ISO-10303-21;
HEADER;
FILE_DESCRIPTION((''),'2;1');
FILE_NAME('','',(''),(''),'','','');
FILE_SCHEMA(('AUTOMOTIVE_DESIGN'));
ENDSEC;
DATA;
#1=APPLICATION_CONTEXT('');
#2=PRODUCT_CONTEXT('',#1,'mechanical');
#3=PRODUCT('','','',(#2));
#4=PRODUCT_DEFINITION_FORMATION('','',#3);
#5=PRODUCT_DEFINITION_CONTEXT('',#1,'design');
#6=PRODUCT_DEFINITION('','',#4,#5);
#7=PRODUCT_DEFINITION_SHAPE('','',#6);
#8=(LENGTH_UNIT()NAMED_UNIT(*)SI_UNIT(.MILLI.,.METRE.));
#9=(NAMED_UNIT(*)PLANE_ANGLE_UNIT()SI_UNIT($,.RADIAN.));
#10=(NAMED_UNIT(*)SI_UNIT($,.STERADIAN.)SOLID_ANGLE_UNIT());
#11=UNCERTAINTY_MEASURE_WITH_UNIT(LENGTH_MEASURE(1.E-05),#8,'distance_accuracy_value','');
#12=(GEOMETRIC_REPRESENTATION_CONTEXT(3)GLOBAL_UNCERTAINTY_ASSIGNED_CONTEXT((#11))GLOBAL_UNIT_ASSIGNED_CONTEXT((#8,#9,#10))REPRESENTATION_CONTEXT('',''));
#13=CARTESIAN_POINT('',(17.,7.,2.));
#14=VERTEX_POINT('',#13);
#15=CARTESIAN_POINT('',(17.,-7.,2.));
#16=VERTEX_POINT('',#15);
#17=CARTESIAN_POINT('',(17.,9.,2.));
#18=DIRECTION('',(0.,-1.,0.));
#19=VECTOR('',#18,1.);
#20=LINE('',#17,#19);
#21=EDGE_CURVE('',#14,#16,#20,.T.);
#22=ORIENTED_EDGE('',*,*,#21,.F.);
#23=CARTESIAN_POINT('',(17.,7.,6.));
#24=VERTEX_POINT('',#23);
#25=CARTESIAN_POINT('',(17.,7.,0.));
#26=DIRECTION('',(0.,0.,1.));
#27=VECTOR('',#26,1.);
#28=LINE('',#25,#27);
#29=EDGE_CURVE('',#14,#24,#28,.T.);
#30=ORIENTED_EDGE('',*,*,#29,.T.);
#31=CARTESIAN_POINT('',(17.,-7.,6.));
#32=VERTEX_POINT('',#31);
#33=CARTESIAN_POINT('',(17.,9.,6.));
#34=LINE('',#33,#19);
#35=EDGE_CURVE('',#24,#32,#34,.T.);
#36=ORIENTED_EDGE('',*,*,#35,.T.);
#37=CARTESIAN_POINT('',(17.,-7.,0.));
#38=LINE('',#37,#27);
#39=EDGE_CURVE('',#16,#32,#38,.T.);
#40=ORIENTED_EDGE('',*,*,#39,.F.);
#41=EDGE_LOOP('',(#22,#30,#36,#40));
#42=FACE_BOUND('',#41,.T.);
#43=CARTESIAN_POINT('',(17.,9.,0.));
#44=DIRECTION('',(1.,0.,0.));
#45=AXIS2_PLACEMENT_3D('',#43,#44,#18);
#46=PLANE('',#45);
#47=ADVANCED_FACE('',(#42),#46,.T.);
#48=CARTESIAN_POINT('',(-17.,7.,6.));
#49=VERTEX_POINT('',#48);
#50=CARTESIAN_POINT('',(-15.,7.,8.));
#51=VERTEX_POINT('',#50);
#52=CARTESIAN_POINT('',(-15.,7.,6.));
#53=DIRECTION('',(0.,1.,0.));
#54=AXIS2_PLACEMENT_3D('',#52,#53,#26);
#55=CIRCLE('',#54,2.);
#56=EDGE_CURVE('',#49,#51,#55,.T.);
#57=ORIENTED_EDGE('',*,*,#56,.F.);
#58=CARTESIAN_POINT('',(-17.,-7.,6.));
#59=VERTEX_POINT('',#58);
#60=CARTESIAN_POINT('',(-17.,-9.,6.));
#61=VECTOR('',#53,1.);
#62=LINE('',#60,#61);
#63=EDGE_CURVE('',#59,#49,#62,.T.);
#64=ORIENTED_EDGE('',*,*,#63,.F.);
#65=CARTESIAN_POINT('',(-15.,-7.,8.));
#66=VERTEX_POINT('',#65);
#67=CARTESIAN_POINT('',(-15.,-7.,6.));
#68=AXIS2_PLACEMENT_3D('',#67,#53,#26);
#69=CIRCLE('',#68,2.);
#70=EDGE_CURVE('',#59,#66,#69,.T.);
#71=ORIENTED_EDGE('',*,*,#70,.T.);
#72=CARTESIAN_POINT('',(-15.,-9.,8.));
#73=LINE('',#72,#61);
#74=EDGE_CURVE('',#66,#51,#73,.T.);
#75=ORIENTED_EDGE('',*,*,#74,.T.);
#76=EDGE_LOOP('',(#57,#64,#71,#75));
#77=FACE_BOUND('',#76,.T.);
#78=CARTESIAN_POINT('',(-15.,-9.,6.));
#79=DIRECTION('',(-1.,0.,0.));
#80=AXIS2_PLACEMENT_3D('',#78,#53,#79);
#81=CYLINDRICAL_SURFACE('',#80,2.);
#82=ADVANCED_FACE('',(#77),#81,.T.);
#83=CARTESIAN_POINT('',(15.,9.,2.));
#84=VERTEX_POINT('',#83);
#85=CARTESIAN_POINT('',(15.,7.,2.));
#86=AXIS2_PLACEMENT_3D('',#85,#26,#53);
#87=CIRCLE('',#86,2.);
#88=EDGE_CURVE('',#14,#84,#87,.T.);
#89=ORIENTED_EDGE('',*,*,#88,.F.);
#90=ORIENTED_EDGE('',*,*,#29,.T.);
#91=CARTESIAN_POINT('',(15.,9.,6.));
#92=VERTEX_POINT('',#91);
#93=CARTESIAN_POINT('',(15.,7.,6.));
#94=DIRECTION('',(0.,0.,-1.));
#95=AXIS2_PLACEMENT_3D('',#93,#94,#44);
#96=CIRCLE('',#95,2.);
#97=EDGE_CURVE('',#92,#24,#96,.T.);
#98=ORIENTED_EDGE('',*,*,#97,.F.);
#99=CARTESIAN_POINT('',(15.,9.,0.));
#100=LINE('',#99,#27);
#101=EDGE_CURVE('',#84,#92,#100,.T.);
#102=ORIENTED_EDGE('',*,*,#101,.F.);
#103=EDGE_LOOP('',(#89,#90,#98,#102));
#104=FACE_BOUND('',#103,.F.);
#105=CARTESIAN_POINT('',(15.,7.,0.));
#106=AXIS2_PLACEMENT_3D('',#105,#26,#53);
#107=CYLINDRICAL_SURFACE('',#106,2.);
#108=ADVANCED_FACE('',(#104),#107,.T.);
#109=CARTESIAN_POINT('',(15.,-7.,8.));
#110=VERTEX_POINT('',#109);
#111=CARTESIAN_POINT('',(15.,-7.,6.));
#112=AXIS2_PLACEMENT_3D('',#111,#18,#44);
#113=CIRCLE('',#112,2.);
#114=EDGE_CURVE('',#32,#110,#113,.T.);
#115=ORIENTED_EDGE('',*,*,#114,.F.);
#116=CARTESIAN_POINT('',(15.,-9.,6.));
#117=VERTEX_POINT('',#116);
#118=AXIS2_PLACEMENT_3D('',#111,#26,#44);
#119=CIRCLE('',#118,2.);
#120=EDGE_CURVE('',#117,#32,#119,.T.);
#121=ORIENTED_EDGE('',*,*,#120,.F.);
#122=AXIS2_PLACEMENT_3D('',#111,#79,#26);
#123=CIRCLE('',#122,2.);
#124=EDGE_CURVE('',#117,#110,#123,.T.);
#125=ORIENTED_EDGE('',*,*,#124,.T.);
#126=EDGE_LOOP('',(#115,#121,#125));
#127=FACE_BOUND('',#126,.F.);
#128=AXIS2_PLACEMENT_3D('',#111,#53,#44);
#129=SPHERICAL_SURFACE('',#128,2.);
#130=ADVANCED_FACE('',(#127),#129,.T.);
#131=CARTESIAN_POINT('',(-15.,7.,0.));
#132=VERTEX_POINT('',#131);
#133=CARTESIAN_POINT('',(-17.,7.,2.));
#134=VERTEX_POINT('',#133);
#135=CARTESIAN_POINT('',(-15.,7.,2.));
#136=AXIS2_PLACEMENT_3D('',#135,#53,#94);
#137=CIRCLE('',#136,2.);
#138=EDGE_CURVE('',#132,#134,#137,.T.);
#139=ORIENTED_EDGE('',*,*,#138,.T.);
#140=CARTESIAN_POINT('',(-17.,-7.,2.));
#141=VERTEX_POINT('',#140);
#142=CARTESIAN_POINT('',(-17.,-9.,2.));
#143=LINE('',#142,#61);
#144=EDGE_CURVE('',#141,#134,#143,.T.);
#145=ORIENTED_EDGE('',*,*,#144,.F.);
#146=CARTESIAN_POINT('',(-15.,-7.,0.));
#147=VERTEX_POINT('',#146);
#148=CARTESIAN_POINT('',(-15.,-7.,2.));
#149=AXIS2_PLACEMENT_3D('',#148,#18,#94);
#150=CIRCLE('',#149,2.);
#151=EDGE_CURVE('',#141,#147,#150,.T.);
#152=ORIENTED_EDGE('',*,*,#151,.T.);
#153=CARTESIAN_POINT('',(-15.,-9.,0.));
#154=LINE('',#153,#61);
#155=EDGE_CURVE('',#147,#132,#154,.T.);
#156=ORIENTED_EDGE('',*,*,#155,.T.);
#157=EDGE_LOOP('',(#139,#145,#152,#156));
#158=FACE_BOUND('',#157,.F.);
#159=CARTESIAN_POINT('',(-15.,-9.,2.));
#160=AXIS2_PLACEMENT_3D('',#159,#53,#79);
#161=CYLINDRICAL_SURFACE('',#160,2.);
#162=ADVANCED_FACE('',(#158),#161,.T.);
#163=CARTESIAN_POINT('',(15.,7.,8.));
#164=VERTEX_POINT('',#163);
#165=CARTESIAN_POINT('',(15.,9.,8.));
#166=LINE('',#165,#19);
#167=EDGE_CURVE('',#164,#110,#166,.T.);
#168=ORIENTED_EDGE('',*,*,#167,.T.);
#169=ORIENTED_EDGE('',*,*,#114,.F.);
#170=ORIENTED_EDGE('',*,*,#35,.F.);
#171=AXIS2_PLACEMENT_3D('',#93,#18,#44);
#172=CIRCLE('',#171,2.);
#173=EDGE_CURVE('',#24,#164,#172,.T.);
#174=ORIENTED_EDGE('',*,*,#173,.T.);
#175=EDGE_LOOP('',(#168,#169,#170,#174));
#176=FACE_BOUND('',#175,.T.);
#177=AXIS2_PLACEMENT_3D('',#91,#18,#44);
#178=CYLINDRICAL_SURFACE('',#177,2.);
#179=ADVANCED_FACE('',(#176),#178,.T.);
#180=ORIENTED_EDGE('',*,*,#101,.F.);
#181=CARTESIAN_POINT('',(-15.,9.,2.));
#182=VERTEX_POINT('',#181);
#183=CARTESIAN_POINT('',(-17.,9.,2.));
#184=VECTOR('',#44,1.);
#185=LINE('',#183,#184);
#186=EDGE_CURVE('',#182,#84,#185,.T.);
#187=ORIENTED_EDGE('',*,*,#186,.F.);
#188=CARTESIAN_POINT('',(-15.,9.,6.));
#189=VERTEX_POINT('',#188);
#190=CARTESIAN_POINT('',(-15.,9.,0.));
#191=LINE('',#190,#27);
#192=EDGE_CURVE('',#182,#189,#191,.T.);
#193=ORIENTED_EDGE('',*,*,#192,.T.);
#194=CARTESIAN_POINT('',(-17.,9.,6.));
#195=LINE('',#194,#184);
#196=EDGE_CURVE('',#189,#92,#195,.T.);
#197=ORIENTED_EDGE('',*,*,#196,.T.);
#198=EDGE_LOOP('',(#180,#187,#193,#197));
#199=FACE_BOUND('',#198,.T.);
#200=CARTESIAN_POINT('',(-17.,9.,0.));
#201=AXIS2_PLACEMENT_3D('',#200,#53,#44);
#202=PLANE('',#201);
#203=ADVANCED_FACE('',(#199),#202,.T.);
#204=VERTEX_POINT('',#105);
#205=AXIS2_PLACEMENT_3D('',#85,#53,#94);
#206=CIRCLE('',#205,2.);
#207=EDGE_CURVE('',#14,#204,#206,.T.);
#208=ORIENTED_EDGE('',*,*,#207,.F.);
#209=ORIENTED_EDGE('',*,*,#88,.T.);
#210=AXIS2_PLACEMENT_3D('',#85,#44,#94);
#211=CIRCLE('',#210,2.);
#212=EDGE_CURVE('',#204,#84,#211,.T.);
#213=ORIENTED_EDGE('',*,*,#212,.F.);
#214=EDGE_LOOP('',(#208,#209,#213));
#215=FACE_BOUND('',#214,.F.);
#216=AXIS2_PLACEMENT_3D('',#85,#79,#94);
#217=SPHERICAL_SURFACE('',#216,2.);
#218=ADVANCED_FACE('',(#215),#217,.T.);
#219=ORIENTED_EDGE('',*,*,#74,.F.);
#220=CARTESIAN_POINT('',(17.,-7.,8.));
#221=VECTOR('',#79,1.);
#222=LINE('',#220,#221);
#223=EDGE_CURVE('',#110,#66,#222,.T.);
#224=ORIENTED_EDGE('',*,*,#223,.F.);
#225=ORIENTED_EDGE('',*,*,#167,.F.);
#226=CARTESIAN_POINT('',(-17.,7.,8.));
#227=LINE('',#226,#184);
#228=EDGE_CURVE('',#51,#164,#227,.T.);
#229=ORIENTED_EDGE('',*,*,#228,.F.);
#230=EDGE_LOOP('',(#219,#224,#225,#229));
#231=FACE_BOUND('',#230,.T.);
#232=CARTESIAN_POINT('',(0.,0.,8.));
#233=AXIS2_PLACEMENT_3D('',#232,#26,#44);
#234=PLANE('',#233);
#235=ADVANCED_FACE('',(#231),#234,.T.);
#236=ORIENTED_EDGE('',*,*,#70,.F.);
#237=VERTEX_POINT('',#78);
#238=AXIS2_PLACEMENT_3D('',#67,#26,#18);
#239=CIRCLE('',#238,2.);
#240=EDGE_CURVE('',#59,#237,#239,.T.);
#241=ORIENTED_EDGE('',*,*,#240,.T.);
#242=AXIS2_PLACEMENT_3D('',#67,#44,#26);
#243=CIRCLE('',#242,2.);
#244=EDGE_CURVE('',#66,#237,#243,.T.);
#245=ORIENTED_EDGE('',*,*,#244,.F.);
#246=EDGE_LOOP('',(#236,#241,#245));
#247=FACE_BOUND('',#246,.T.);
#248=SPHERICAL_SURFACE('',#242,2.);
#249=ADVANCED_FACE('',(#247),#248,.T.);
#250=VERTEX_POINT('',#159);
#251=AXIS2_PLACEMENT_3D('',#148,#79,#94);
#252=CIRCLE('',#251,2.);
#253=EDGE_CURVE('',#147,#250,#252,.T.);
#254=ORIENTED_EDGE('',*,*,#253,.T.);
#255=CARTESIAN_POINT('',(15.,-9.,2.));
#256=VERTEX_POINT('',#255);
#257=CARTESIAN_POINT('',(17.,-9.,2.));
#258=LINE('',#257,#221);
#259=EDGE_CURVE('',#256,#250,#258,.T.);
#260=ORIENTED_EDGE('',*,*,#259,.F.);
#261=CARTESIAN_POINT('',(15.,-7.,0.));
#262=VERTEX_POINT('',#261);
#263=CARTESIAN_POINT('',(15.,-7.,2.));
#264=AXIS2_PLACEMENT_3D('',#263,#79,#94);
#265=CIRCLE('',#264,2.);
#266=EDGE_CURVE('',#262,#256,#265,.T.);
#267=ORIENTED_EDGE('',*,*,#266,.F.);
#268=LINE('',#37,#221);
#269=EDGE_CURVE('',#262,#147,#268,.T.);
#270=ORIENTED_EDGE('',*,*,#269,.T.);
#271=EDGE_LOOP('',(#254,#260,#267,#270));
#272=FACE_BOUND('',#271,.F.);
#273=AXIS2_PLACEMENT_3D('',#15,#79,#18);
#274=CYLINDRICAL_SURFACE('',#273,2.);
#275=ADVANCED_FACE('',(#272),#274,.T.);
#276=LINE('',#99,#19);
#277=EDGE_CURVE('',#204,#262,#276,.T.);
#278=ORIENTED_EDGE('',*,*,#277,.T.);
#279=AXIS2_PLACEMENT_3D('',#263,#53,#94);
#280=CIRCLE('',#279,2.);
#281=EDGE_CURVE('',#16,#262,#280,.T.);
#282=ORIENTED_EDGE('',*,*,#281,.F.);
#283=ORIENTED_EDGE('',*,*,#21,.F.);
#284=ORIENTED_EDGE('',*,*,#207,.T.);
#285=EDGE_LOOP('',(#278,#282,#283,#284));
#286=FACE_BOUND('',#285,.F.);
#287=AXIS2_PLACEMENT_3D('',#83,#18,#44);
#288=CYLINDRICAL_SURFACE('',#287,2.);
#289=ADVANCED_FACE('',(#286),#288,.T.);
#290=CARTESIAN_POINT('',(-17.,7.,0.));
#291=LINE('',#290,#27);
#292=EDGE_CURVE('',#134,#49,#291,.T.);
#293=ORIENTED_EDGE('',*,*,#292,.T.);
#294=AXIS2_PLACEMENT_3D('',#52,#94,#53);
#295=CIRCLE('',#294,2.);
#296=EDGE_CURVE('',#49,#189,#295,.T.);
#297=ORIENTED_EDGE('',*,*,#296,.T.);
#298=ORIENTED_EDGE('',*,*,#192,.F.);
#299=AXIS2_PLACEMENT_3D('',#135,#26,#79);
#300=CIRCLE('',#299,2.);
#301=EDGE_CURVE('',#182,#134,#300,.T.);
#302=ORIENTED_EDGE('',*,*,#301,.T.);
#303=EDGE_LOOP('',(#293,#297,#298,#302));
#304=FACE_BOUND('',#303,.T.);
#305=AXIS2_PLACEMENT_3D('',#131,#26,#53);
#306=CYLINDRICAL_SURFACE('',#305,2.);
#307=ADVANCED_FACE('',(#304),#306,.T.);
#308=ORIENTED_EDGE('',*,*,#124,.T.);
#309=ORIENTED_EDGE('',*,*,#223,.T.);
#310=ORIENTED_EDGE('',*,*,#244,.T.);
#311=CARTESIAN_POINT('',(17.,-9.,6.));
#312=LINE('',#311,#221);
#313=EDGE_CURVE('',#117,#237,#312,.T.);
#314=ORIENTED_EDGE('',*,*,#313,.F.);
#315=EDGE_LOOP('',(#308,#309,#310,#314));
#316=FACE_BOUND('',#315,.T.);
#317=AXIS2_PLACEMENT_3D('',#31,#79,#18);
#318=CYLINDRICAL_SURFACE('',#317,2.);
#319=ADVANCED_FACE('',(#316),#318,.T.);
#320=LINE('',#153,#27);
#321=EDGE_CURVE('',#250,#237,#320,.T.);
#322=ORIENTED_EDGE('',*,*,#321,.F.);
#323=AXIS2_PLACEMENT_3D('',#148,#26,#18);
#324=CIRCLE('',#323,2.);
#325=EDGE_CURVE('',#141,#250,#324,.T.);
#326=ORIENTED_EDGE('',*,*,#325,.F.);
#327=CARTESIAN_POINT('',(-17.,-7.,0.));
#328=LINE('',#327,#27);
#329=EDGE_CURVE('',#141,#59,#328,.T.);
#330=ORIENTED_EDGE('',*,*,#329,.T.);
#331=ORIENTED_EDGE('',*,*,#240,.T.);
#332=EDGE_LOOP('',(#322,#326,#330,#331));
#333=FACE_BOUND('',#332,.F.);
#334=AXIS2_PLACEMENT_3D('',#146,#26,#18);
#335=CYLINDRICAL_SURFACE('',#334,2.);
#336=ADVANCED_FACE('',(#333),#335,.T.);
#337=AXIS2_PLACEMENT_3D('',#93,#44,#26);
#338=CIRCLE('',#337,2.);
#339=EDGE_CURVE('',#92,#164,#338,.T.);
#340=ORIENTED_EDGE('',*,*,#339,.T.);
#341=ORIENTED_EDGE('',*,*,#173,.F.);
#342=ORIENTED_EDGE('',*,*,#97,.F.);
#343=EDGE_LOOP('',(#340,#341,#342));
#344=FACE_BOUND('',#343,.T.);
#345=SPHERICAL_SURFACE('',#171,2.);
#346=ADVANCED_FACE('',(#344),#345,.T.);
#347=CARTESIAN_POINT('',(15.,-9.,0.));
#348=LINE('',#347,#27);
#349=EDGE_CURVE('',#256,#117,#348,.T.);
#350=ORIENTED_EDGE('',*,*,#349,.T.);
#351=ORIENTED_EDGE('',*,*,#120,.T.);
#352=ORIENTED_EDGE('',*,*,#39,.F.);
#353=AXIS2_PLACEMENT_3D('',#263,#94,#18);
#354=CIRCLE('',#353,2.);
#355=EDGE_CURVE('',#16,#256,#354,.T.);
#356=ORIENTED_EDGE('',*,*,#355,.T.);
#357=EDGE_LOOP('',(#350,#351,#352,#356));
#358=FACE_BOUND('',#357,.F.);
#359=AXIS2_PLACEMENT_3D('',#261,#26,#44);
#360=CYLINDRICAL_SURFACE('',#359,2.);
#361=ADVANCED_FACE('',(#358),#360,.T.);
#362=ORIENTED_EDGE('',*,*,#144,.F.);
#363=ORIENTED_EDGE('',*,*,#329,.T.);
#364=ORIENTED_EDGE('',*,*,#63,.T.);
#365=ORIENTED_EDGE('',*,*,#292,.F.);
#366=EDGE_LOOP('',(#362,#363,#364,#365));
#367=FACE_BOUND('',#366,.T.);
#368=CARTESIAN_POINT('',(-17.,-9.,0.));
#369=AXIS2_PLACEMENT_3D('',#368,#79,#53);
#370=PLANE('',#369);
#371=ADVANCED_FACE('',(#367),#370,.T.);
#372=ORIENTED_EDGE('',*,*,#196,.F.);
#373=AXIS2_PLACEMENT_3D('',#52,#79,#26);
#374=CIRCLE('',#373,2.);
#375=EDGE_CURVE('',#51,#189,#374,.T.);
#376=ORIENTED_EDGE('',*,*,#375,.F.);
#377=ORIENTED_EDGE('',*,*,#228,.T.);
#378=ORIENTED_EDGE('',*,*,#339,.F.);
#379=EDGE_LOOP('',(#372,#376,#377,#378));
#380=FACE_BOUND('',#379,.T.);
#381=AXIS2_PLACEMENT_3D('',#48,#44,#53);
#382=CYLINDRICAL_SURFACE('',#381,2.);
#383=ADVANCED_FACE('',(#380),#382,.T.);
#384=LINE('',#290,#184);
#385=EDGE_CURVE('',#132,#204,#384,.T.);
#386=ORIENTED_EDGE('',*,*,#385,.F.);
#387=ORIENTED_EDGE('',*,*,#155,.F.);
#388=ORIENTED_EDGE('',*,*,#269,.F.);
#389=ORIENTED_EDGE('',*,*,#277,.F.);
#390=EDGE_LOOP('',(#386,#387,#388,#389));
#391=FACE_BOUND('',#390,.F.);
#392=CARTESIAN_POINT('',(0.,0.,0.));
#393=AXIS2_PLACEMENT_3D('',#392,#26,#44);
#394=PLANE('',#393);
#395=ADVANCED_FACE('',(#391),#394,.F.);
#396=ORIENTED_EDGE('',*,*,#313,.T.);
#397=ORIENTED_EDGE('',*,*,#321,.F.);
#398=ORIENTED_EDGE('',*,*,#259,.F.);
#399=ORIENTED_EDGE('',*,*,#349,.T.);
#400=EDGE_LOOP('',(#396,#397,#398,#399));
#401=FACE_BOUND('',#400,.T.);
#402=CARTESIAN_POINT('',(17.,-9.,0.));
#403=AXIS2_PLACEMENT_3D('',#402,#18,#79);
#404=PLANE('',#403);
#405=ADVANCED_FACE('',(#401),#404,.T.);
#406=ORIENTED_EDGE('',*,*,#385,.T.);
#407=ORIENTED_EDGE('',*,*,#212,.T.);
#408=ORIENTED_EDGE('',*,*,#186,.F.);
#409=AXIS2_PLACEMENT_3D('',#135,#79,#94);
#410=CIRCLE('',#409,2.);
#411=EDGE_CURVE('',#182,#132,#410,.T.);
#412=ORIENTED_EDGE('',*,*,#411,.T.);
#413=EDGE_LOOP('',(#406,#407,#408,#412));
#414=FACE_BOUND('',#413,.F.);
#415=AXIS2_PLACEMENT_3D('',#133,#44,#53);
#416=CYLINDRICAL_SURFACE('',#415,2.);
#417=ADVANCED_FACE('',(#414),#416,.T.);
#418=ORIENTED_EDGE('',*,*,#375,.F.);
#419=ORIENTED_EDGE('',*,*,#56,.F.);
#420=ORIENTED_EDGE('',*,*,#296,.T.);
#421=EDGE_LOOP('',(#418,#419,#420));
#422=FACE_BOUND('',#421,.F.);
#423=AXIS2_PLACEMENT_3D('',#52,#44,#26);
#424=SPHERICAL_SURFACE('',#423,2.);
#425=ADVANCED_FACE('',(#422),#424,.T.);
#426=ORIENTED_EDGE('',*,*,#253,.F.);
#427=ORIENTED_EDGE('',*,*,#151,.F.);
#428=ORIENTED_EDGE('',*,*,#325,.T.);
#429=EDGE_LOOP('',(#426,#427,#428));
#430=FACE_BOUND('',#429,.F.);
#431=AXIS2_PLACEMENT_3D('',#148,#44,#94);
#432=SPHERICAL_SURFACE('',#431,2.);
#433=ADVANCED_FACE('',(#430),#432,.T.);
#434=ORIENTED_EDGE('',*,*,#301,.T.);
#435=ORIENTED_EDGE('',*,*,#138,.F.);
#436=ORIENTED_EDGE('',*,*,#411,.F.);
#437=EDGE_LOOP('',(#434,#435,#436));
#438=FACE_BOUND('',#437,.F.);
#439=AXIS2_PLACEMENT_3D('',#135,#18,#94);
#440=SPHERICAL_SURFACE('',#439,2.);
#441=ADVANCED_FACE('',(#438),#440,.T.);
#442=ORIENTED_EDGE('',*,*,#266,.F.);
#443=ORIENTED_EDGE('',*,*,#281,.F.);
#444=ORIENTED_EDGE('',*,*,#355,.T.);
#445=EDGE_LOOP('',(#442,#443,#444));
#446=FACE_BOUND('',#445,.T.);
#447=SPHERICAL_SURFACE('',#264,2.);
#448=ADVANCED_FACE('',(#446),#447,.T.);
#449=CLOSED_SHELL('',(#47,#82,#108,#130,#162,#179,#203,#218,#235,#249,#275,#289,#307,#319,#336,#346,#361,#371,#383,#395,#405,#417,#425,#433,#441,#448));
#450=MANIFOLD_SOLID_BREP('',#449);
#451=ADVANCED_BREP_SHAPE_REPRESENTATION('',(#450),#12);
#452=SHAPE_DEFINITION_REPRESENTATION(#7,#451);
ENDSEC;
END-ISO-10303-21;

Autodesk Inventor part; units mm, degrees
ref_plane "YZ Plane" through (0, 0, 0) normal (1, 0, 0) x (0, 1, 0)
ref_plane "XZ Plane" through (0, 0, 0) normal (0, 1, 0) x (-1, 0, 0)
ref_plane "XY Plane" through (0, 0, 0) normal (0, 0, 1) x (1, 0, 0)
sketch "スケッチ2" plane through (0, 0, 0) normal (0, 0, 1) x (1, 0, 0)
  line L0 (-17, 9) -> (17, 9)
  line L1 (17, 9) -> (17, -9)
  line L2 (17, -9) -> (-17, -9)
  line L3 (-17, -9) -> (-17, 9)
  line L4 (-17, 9) -> (17, -9) construction
  line L5 (17, 9) -> (-17, -9) construction
  point P0 (0, 0)
  dimension "d0" = 34
  dimension "d1" = 18
extrude "押し出し1" add sketch "スケッチ2" along normal blind 8
fillet "フィレット1" radius 2 12 edges at (0, -9, 0) (-17, 0, 0) (0, 9, 0) (17, 0, 0) (17, 0, 8) (17, -9, 4) (17, 9, 4) (0, 9, 8) (0, -9, 8) (-17, 0, 8) (-17, -9, 4) (-17, 9, 4)
sketch "スケッチ3" plane through (0, 0, 8) normal (0, 0, 1) x (1, 0, 0)
  line L0 (-8.3616, 6.929) -> (8.3481, 6.929) construction
  line L1 (8.3481, 6.929) -> (8.3481, -6.9758) construction
  line L2 (8.3481, -6.9758) -> (-8.3616, -6.9758) construction
  line L3 (-8.3616, -6.9758) -> (-8.3616, 6.929) construction
  point P0 (0, 0)
sketch "スケッチ4" plane through (0, 0, 0) normal (0, 0, -1) x (-1, 0, 0)
  line L0 (-8.5496, 7.0043) -> (8.4479, 7.0043) construction
  line L1 (8.4479, 7.0043) -> (8.4479, -7.14) construction
  line L2 (8.4479, -7.14) -> (-8.5496, -7.14) construction
  line L3 (-8.5496, -7.14) -> (-8.5496, 7.0043) construction
  point P0 (0, 0)
properties part number "LiPo"
